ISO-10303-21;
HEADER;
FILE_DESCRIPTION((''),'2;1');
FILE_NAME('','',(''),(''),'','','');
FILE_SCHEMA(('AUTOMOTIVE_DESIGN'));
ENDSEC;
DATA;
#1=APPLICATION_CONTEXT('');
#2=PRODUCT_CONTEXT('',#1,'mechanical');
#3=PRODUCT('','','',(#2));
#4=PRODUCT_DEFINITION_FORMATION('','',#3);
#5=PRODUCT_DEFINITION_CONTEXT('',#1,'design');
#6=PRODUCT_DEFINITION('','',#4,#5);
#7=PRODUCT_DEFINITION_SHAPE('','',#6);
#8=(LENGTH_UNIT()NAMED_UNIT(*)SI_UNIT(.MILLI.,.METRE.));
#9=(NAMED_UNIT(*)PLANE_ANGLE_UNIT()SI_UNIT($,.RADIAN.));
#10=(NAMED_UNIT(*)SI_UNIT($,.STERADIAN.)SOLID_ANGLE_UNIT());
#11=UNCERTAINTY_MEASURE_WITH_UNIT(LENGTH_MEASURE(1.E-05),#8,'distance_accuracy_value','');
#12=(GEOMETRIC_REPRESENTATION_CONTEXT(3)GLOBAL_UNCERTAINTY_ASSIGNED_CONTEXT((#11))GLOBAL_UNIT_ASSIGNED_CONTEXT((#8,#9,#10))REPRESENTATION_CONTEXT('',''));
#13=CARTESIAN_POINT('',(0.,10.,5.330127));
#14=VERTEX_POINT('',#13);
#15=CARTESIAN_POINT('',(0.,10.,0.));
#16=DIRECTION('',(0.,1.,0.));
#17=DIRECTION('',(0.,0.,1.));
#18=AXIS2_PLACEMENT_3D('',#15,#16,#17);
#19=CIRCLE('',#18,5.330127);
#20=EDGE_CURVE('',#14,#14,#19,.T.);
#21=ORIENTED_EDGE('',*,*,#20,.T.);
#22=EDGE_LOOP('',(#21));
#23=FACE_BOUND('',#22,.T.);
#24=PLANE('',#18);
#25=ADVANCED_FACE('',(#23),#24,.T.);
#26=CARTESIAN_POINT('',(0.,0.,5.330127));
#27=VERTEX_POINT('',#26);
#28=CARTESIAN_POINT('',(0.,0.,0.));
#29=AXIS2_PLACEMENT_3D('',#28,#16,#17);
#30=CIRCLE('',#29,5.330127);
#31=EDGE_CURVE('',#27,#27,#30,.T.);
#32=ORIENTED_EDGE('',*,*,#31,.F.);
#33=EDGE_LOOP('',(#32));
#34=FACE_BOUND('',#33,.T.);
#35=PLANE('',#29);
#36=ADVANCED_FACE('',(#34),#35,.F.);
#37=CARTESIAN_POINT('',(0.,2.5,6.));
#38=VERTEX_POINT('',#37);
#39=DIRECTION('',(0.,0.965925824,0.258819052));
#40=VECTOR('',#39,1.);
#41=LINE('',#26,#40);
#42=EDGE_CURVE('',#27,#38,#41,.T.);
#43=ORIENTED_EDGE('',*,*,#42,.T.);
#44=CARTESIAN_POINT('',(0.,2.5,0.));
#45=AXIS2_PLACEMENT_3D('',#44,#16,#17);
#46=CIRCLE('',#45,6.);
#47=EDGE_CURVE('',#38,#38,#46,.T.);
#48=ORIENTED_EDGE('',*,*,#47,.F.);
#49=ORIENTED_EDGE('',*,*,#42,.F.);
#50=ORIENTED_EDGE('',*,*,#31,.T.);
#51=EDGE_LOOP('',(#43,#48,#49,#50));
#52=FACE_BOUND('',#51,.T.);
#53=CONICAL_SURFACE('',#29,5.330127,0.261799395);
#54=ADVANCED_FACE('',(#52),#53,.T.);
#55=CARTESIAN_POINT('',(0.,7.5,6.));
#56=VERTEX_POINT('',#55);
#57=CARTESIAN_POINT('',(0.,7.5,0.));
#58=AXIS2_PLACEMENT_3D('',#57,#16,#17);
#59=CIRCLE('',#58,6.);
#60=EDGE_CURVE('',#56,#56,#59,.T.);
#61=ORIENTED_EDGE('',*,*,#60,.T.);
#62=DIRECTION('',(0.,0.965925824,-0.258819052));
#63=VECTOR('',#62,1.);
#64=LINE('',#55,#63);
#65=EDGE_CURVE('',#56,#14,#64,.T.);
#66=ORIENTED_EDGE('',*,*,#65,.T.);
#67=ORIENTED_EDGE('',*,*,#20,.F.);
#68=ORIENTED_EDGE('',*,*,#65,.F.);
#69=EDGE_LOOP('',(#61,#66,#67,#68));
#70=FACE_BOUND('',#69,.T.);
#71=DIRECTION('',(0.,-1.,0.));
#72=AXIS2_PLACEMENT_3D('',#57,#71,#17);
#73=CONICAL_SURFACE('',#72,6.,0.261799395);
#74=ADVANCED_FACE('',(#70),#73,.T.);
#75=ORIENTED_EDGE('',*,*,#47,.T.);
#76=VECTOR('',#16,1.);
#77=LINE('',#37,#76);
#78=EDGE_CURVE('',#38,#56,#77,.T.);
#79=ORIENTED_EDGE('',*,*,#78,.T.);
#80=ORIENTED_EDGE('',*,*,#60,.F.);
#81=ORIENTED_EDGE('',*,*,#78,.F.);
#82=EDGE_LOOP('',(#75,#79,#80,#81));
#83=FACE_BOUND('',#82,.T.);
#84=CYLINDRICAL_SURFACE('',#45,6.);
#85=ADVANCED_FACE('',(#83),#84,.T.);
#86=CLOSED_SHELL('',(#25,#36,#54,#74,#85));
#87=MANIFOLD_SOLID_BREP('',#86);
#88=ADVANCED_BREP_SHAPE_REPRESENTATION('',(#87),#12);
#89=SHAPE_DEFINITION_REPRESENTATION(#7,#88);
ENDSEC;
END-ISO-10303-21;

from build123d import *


with BuildPart() as part:
    # Sketch → Revolution (revolve)
    with BuildSketch(Plane.YZ):
        Polygon((0, 0), (0, 5.330127), (2.5, 6), (7.5, 6), (10, 5.330127), (10, 0), align=None)
    revolve(axis=Axis((0, 0, 0), (0, 1, 0)))


solid = part.part
